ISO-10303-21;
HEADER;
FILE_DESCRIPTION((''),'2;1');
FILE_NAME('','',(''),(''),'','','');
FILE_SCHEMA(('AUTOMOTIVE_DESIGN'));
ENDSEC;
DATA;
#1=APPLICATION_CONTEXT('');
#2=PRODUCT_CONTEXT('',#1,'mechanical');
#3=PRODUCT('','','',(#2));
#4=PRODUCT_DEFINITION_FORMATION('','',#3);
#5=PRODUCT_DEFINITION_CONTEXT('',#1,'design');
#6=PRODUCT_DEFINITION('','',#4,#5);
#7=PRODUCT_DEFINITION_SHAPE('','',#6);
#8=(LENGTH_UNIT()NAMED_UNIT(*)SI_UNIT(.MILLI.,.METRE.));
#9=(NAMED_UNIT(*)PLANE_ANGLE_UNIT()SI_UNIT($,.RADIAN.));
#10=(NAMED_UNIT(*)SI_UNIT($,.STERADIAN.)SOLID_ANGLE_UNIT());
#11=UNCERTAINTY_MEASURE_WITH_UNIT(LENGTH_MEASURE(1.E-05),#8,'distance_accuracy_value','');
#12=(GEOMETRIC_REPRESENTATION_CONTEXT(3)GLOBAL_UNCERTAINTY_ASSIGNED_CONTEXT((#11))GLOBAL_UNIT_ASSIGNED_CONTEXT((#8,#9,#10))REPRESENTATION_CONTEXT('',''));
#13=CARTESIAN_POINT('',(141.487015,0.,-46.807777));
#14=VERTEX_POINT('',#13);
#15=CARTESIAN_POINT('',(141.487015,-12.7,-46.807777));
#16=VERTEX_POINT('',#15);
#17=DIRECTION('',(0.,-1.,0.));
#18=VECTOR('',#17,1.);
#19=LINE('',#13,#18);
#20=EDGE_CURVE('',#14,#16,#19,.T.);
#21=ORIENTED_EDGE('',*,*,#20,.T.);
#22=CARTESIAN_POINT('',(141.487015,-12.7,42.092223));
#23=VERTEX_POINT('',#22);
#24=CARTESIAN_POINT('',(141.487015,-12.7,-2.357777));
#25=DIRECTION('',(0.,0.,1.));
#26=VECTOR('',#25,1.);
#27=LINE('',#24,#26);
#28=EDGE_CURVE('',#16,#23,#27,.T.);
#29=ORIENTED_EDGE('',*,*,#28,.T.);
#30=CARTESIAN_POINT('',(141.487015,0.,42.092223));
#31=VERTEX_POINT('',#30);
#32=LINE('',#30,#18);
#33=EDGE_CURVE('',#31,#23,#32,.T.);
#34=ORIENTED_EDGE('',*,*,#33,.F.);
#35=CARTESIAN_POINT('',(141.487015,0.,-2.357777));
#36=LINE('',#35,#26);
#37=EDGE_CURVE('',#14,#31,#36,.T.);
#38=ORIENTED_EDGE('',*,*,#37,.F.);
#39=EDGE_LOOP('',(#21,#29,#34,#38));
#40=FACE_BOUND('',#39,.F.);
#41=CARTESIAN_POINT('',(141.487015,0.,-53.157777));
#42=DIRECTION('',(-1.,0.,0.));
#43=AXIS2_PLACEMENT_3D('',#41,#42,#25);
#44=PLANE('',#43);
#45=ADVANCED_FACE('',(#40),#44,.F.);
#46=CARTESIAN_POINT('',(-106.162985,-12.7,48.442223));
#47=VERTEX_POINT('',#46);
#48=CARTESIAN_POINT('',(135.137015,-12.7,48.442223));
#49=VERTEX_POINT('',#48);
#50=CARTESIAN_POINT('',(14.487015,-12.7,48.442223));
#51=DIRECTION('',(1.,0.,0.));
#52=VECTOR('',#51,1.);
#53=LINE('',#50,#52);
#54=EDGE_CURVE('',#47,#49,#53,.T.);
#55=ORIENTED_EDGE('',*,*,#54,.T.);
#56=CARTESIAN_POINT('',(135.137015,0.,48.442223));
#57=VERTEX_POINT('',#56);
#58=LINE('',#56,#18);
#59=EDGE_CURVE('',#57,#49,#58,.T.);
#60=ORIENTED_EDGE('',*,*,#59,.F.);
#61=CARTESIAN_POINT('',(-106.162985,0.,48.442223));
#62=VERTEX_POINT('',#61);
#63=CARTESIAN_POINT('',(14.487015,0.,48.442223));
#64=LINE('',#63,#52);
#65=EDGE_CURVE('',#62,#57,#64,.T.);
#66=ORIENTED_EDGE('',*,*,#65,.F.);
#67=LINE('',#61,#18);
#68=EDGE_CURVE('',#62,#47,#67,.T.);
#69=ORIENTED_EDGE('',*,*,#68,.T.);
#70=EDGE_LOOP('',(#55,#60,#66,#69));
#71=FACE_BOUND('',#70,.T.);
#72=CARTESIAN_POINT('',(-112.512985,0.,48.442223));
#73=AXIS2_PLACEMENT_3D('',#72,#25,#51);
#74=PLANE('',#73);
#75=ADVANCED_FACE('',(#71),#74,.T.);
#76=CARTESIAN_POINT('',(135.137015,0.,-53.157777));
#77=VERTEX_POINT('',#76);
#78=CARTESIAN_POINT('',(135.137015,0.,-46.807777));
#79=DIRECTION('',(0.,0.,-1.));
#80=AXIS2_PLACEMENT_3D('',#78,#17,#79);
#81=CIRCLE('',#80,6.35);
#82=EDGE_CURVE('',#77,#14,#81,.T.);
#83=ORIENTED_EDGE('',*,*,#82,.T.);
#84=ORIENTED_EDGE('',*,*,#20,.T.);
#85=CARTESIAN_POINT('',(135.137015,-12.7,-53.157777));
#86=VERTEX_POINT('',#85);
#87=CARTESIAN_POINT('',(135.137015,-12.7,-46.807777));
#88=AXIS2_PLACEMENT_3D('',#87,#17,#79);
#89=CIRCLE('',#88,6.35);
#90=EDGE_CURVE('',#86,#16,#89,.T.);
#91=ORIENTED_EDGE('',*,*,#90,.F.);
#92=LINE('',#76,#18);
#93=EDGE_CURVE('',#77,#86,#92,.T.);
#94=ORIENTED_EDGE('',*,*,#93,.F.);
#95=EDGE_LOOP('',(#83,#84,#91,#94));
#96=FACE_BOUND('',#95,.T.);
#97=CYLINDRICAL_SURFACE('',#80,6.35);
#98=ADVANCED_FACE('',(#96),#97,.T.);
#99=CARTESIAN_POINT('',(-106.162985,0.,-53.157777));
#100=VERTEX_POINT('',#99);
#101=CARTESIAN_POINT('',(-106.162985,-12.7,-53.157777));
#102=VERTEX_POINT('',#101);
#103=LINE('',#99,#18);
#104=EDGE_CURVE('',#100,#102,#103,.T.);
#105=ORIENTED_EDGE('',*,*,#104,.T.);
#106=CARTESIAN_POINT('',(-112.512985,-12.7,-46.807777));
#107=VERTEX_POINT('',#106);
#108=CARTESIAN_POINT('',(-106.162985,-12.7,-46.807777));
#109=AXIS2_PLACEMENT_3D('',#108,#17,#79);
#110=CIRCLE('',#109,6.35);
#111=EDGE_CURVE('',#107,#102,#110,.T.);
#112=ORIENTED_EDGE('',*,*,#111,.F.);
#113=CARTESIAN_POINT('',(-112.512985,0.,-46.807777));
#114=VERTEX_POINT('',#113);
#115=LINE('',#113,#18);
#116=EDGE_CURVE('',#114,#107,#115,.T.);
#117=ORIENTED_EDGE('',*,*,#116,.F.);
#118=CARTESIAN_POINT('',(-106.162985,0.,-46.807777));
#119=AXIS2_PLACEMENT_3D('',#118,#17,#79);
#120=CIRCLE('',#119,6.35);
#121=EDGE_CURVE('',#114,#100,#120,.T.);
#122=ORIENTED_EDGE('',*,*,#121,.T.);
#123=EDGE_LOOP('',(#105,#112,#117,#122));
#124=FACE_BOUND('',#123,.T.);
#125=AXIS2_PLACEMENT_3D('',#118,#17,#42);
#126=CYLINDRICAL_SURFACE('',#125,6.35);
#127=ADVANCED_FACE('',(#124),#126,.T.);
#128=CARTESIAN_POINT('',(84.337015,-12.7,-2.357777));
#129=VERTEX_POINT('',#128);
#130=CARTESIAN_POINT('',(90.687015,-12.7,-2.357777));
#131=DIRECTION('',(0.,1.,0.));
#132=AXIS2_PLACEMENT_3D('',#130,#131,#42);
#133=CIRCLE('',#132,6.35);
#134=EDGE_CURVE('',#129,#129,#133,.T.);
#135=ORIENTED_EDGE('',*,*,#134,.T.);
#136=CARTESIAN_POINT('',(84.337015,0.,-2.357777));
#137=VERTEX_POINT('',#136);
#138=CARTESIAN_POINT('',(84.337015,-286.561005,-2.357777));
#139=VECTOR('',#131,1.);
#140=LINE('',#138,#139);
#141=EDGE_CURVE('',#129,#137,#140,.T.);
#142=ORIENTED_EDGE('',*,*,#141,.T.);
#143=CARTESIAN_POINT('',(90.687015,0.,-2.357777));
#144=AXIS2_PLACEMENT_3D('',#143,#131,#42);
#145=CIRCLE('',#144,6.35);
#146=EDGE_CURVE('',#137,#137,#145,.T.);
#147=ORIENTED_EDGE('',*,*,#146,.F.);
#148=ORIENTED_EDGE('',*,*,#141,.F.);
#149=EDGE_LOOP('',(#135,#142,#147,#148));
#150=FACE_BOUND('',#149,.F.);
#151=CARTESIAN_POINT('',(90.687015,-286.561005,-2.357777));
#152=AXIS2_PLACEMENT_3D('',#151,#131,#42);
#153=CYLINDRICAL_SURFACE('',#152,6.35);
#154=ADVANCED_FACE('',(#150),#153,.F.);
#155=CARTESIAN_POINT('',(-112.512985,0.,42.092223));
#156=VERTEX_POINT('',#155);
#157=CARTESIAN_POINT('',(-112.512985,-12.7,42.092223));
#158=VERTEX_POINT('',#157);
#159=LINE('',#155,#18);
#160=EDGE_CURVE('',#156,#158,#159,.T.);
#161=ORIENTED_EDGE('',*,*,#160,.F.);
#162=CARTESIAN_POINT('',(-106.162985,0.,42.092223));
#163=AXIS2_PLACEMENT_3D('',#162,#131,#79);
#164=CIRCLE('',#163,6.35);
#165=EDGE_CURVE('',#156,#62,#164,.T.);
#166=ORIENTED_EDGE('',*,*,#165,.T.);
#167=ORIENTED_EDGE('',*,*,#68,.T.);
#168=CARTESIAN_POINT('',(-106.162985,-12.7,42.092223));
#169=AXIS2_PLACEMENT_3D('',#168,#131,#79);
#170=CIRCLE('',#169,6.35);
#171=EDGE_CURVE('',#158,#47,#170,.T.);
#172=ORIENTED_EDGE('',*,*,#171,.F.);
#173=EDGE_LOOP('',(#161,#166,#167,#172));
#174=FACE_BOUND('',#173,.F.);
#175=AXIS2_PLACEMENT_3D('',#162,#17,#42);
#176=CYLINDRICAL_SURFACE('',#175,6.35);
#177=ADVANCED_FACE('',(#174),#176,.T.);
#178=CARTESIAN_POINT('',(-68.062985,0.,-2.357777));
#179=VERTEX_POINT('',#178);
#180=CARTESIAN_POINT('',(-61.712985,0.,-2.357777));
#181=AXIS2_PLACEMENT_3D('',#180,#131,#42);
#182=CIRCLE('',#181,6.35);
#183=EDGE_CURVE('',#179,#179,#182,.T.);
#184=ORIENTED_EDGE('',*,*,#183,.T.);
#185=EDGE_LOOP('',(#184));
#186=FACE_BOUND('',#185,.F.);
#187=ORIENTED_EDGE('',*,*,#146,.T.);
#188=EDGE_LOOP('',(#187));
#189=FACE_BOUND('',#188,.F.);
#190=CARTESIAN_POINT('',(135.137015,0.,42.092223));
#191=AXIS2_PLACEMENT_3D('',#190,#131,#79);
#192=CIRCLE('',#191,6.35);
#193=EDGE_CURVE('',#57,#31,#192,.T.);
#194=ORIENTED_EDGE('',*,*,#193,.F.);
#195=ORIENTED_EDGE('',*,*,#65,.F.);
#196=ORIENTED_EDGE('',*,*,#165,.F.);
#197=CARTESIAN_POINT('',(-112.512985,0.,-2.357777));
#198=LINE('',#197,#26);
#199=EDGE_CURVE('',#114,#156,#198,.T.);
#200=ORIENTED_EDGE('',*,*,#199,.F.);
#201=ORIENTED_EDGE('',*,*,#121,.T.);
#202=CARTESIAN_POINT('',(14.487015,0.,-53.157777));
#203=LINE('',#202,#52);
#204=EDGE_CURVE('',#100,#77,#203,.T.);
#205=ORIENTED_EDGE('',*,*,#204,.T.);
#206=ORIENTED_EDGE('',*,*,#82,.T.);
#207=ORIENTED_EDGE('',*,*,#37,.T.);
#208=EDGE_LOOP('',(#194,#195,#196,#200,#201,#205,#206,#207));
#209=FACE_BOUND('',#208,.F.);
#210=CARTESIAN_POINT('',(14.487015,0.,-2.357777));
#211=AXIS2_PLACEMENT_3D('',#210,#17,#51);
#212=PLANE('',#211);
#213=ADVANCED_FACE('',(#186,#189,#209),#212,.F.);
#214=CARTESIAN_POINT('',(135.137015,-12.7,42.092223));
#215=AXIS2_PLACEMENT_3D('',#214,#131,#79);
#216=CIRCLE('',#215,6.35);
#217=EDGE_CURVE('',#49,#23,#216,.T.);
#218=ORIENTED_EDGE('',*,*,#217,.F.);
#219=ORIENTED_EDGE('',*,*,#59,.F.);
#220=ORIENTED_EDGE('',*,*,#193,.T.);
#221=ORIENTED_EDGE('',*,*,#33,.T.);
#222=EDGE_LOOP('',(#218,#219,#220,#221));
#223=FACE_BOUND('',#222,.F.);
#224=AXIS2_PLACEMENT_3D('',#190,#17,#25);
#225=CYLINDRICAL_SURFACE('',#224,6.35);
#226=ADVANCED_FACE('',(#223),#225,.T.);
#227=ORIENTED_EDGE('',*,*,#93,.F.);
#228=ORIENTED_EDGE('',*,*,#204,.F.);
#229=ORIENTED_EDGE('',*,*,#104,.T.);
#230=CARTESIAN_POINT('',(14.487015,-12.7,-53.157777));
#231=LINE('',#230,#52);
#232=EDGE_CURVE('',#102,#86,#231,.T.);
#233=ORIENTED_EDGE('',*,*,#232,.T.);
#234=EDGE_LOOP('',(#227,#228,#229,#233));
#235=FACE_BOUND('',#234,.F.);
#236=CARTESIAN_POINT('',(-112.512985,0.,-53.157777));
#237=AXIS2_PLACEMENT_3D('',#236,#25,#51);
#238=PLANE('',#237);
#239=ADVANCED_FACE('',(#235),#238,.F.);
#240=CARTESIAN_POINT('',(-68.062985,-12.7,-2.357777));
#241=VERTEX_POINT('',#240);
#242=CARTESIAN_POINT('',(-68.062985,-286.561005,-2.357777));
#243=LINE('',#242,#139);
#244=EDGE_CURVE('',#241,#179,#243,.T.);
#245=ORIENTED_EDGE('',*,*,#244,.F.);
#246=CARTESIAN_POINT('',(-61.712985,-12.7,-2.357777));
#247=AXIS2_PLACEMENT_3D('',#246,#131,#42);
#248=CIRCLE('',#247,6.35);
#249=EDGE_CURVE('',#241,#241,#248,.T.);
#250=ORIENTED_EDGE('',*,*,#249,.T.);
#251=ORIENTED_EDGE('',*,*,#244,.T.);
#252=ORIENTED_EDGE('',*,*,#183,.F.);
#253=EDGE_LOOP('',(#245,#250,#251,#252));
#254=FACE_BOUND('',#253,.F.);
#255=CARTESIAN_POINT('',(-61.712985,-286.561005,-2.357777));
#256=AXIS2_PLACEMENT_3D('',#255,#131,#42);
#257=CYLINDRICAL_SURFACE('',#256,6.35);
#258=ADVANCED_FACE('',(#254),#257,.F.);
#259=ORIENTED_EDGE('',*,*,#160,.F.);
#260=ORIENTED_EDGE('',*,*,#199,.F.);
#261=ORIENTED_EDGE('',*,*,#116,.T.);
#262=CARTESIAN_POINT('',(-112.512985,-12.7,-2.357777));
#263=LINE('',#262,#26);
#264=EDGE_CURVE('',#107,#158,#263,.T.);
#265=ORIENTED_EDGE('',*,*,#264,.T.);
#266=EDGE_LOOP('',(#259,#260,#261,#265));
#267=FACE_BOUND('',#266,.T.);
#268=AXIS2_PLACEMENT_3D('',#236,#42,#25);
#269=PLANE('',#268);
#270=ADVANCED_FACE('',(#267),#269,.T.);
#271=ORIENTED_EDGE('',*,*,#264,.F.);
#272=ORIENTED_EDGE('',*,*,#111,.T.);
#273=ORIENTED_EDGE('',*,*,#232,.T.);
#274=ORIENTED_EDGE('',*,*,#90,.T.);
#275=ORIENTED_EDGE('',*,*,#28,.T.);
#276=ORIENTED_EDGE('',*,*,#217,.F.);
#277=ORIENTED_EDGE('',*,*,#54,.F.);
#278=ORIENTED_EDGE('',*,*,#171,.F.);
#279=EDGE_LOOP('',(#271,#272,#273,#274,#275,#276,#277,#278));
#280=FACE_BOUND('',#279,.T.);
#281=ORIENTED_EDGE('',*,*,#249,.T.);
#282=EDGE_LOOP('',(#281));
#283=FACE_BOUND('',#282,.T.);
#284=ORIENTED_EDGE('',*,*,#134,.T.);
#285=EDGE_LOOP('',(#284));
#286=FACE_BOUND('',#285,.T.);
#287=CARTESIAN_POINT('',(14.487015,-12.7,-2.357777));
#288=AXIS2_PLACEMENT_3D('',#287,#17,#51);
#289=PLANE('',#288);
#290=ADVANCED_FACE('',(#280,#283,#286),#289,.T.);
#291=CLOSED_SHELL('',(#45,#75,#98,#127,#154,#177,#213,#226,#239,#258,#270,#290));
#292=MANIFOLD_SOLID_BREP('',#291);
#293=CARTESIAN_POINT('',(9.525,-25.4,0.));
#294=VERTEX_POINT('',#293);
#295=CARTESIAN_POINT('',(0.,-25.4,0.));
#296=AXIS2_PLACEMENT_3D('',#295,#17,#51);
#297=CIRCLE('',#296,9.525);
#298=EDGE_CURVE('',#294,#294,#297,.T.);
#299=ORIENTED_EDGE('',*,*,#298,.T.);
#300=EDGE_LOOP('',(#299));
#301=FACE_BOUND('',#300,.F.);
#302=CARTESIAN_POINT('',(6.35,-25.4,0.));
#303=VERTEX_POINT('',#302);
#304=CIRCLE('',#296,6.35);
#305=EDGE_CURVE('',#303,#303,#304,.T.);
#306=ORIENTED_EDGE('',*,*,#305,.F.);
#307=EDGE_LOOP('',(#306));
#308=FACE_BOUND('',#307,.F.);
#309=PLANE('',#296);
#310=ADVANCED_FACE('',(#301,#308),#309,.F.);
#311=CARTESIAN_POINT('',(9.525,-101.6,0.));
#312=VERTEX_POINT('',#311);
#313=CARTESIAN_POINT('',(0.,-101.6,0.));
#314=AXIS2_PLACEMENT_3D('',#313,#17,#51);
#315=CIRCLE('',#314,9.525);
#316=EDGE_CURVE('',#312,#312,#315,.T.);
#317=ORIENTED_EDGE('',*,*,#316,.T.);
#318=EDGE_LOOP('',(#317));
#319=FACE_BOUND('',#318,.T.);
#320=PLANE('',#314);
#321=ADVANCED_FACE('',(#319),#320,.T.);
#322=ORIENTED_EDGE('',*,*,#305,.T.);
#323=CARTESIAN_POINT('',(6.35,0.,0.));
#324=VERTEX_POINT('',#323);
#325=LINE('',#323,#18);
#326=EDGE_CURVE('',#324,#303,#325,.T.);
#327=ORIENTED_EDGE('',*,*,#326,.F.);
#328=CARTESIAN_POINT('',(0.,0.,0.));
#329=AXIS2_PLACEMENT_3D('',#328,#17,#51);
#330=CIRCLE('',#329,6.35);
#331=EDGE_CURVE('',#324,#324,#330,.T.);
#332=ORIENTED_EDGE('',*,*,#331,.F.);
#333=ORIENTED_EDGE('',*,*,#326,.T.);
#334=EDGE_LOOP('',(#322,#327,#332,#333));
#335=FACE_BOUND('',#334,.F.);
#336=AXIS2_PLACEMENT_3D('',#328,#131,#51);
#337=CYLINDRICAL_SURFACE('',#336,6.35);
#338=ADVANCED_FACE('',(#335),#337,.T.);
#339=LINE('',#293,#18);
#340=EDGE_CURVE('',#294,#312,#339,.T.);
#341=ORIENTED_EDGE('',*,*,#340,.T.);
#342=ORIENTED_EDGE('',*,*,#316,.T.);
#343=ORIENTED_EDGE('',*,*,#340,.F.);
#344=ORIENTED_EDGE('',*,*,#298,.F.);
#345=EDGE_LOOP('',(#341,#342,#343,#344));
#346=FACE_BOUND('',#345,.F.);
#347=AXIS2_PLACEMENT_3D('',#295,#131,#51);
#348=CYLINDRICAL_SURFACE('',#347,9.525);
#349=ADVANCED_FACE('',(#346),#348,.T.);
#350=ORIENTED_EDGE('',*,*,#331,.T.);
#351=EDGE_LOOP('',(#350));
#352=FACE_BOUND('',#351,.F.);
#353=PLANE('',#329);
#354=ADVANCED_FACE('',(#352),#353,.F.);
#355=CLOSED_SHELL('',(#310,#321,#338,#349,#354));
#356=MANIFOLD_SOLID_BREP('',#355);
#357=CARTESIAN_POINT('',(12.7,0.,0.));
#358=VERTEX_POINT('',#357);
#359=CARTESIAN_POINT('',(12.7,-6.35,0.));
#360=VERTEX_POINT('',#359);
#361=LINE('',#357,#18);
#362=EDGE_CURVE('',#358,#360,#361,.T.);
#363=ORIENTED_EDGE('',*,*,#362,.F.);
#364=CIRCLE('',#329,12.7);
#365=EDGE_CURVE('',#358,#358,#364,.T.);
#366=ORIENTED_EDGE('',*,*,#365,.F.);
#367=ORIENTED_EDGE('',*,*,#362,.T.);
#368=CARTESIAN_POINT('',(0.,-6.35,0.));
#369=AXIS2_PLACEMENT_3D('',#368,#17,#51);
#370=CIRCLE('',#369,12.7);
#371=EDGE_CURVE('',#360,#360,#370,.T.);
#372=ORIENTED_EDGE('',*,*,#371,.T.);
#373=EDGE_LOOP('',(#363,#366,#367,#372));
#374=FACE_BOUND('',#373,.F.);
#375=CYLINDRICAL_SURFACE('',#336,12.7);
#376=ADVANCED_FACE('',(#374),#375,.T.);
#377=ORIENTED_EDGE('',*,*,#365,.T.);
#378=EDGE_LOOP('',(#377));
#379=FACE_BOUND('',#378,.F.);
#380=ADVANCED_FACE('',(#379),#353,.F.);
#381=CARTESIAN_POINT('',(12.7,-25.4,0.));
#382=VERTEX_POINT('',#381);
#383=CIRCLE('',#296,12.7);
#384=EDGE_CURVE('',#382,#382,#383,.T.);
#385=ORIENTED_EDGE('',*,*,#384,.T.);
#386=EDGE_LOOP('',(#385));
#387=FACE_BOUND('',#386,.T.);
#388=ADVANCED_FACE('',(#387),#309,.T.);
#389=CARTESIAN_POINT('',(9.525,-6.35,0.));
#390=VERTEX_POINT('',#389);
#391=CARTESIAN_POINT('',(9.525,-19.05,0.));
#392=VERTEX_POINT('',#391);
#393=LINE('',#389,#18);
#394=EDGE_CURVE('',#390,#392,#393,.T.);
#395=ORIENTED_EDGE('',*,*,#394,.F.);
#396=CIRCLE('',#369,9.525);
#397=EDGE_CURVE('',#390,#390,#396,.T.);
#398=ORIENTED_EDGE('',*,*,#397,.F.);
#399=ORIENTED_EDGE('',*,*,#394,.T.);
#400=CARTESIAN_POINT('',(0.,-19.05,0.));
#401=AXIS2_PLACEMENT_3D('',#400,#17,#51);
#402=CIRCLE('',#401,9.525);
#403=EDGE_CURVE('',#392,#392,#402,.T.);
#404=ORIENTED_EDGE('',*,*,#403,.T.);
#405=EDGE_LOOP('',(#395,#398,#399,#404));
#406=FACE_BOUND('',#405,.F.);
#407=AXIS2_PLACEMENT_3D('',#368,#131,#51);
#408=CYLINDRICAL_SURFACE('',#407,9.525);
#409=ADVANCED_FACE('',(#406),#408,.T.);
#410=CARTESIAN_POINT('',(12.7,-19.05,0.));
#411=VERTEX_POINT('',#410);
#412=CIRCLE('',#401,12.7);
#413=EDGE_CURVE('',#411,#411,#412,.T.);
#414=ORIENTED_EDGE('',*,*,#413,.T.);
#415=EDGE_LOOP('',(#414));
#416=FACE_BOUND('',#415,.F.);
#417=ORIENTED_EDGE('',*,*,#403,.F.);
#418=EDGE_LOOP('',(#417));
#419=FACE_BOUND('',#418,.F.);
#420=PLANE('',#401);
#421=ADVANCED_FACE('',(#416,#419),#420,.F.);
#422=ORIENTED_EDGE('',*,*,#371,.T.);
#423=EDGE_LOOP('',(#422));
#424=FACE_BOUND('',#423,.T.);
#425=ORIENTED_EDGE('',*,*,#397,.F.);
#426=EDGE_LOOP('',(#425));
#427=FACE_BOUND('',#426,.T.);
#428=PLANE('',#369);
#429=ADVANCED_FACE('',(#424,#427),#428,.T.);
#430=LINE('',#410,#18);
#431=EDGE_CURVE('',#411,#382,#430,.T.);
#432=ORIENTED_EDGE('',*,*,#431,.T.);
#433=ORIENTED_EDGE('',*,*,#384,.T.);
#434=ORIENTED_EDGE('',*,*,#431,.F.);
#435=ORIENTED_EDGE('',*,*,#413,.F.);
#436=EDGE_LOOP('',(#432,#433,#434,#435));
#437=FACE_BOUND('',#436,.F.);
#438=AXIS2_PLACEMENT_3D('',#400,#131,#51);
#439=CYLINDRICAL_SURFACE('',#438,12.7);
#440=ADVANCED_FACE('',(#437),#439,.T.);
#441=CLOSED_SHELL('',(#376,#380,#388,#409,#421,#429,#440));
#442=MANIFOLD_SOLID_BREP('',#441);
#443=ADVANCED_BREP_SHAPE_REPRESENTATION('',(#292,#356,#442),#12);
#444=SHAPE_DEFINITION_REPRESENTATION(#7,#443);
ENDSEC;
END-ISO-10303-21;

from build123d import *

# Parameters (mm, degrees)
F0_W      = 254
F0_H      = 101.6
F1_DEPTH  = 12.7
F3_D      = 12.7
F4_R      = 6.35
F5_R      = 12.7
F6_DEPTH  = 6.35
F7_R      = 9.525
F8_DEPTH  = 12.7
F9_R      = 12.7
F10_DEPTH = 6.35
F11_R     = 6.35
F12_DEPTH = 25.4
F13_R     = 9.525
F14_DEPTH = 76.2


with BuildPart() as f1:
    # F0 (on Front) → F1 (new body)
    with BuildSketch(Plane.XZ):
        with Locations((14.4870150834, -2.3577771693)):
            Rectangle(F0_W, F0_H)
    extrude(amount=F1_DEPTH)

    # F3 (through all)
    with Locations(Plane.XZ.offset(12.7)):
        with Locations((-61.7129849166, -2.3577771693), (90.6870150834, -2.3577771693)):
            Hole(F3_D / 2)

    # F4
    f4_edges = [f1.edges().sort_by_distance(p)[0] for p in [
        (-112.512985, -6.35, 48.442223),
        (-112.512985, -6.35, -53.157777),
        (141.487015, -6.35, 48.442223),
        (141.487015, -6.35, -53.157777),
    ]]
    fillet(f4_edges, radius=F4_R)


with BuildPart() as f6:
    # F5 (on Front) → F6 (new body)
    with BuildSketch(Plane.XZ):
        Circle(F5_R)
    extrude(amount=F6_DEPTH)

    # F7 (on face) → F8 (join)
    with BuildSketch(Plane.XZ.offset(6.35)):
        Circle(F7_R)
    extrude(amount=F8_DEPTH)

    # F9 (on face) → F10 (join)
    with BuildSketch(Plane.XZ.offset(19.05)):
        Circle(F9_R)
    extrude(amount=F10_DEPTH)


with BuildPart() as f12:
    # F11 (on Front) → F12 (new body)
    with BuildSketch(Plane.XZ):
        Circle(F11_R)
    extrude(amount=F12_DEPTH)

    # F13 (on face) → F14 (join)
    with BuildSketch(Plane.XZ.offset(25.4)):
        Circle(F13_R)
    extrude(amount=F14_DEPTH)


solid = Compound([f1.part, f6.part, f12.part])
